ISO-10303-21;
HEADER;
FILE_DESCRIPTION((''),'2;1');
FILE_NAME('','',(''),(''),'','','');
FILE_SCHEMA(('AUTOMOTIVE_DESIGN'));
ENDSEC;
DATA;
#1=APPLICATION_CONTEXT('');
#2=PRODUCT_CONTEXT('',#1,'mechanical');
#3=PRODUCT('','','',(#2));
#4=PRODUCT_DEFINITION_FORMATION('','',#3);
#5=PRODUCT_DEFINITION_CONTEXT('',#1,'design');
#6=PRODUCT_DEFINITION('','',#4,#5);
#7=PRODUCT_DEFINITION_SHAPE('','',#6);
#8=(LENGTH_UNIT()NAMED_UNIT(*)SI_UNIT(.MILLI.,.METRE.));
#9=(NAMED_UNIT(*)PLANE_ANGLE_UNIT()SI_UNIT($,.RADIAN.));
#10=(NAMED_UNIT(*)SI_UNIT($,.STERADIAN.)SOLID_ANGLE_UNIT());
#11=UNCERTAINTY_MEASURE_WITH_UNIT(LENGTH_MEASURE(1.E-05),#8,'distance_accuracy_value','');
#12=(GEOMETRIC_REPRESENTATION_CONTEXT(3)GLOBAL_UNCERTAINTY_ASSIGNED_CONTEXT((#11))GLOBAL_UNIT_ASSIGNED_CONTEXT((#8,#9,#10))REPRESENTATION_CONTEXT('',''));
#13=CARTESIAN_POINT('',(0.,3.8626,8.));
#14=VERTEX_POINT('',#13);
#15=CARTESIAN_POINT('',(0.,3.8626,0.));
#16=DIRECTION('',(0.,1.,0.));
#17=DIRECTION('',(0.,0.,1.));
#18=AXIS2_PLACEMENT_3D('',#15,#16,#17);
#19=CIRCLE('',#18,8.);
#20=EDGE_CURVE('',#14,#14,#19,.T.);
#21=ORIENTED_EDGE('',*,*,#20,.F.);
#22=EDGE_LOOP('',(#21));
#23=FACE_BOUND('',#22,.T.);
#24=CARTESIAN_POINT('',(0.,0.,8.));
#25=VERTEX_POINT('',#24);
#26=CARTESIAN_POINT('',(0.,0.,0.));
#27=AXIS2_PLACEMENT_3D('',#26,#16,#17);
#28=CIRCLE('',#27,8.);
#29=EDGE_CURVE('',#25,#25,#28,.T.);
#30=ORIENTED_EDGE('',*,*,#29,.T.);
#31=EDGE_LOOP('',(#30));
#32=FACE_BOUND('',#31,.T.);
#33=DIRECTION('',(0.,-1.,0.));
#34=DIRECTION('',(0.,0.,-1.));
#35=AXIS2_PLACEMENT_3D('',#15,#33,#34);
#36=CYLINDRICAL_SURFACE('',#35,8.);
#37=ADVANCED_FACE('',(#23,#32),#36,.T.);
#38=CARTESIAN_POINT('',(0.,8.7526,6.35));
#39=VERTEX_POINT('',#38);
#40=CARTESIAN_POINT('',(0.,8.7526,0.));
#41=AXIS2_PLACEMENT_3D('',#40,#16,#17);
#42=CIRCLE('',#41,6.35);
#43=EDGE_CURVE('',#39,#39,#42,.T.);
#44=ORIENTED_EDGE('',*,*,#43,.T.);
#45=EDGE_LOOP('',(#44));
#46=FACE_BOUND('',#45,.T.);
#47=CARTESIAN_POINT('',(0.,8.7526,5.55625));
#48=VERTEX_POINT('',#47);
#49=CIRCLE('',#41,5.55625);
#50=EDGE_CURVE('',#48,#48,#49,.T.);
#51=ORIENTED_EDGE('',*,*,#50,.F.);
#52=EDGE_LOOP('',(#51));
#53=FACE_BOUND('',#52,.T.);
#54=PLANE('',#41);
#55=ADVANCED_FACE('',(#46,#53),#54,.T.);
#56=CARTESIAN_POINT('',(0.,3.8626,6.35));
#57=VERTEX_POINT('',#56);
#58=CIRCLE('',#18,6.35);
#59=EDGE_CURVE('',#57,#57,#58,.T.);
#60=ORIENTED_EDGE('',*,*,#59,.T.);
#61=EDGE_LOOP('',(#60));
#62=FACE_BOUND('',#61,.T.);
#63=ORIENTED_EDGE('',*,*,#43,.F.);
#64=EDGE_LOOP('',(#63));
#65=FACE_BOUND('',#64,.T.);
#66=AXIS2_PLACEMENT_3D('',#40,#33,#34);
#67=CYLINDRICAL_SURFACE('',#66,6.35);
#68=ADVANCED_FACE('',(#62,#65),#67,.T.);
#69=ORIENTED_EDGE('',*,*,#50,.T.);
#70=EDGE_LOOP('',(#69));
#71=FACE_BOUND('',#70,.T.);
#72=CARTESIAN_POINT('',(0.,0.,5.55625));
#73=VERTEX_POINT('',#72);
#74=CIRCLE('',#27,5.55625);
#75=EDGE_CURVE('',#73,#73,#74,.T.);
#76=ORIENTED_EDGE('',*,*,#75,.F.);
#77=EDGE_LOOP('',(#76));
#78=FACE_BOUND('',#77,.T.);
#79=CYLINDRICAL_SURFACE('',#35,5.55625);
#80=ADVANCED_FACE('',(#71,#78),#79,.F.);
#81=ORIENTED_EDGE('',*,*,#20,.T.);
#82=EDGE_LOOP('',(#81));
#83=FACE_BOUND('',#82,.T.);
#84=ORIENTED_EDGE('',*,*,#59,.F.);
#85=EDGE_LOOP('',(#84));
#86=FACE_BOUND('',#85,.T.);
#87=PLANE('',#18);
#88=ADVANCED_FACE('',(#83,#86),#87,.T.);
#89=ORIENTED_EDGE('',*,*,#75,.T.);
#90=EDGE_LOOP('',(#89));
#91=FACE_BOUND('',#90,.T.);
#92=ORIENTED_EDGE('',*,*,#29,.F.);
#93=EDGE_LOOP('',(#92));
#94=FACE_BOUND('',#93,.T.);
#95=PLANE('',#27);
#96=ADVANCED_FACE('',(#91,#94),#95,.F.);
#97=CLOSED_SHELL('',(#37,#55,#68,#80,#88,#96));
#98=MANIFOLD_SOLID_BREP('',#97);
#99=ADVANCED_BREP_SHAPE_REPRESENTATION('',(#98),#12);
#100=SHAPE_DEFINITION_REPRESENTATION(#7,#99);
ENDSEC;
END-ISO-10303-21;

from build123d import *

# Parameters (mm, degrees)
SKETCH1_R           = 8
SKETCH1_R_2         = 5.55625
BOSS_EXTRUDE1_DEPTH = 3.8626
SKETCH2_R           = 6.35
SKETCH2_R_2         = 5.55625
BOSS_EXTRUDE2_DEPTH = 4.89


with BuildPart() as part:
    # Sketch1 → Boss-Extrude1 (new body)
    with BuildSketch(Plane(origin=(0, 0, 0), x_dir=(1, 0, 0), z_dir=(0, 1, 0))):
        Circle(SKETCH1_R)
        Circle(SKETCH1_R_2, mode=Mode.SUBTRACT)
    extrude(amount=BOSS_EXTRUDE1_DEPTH)

    # Sketch2 → Boss-Extrude2 (add)
    with BuildSketch(Plane(origin=(0, 3.8626, 0), x_dir=(1, 0, 0), z_dir=(0, 1, 0))):
        Circle(SKETCH2_R)
        Circle(SKETCH2_R_2, mode=Mode.SUBTRACT)
    extrude(amount=BOSS_EXTRUDE2_DEPTH)


solid = part.part
